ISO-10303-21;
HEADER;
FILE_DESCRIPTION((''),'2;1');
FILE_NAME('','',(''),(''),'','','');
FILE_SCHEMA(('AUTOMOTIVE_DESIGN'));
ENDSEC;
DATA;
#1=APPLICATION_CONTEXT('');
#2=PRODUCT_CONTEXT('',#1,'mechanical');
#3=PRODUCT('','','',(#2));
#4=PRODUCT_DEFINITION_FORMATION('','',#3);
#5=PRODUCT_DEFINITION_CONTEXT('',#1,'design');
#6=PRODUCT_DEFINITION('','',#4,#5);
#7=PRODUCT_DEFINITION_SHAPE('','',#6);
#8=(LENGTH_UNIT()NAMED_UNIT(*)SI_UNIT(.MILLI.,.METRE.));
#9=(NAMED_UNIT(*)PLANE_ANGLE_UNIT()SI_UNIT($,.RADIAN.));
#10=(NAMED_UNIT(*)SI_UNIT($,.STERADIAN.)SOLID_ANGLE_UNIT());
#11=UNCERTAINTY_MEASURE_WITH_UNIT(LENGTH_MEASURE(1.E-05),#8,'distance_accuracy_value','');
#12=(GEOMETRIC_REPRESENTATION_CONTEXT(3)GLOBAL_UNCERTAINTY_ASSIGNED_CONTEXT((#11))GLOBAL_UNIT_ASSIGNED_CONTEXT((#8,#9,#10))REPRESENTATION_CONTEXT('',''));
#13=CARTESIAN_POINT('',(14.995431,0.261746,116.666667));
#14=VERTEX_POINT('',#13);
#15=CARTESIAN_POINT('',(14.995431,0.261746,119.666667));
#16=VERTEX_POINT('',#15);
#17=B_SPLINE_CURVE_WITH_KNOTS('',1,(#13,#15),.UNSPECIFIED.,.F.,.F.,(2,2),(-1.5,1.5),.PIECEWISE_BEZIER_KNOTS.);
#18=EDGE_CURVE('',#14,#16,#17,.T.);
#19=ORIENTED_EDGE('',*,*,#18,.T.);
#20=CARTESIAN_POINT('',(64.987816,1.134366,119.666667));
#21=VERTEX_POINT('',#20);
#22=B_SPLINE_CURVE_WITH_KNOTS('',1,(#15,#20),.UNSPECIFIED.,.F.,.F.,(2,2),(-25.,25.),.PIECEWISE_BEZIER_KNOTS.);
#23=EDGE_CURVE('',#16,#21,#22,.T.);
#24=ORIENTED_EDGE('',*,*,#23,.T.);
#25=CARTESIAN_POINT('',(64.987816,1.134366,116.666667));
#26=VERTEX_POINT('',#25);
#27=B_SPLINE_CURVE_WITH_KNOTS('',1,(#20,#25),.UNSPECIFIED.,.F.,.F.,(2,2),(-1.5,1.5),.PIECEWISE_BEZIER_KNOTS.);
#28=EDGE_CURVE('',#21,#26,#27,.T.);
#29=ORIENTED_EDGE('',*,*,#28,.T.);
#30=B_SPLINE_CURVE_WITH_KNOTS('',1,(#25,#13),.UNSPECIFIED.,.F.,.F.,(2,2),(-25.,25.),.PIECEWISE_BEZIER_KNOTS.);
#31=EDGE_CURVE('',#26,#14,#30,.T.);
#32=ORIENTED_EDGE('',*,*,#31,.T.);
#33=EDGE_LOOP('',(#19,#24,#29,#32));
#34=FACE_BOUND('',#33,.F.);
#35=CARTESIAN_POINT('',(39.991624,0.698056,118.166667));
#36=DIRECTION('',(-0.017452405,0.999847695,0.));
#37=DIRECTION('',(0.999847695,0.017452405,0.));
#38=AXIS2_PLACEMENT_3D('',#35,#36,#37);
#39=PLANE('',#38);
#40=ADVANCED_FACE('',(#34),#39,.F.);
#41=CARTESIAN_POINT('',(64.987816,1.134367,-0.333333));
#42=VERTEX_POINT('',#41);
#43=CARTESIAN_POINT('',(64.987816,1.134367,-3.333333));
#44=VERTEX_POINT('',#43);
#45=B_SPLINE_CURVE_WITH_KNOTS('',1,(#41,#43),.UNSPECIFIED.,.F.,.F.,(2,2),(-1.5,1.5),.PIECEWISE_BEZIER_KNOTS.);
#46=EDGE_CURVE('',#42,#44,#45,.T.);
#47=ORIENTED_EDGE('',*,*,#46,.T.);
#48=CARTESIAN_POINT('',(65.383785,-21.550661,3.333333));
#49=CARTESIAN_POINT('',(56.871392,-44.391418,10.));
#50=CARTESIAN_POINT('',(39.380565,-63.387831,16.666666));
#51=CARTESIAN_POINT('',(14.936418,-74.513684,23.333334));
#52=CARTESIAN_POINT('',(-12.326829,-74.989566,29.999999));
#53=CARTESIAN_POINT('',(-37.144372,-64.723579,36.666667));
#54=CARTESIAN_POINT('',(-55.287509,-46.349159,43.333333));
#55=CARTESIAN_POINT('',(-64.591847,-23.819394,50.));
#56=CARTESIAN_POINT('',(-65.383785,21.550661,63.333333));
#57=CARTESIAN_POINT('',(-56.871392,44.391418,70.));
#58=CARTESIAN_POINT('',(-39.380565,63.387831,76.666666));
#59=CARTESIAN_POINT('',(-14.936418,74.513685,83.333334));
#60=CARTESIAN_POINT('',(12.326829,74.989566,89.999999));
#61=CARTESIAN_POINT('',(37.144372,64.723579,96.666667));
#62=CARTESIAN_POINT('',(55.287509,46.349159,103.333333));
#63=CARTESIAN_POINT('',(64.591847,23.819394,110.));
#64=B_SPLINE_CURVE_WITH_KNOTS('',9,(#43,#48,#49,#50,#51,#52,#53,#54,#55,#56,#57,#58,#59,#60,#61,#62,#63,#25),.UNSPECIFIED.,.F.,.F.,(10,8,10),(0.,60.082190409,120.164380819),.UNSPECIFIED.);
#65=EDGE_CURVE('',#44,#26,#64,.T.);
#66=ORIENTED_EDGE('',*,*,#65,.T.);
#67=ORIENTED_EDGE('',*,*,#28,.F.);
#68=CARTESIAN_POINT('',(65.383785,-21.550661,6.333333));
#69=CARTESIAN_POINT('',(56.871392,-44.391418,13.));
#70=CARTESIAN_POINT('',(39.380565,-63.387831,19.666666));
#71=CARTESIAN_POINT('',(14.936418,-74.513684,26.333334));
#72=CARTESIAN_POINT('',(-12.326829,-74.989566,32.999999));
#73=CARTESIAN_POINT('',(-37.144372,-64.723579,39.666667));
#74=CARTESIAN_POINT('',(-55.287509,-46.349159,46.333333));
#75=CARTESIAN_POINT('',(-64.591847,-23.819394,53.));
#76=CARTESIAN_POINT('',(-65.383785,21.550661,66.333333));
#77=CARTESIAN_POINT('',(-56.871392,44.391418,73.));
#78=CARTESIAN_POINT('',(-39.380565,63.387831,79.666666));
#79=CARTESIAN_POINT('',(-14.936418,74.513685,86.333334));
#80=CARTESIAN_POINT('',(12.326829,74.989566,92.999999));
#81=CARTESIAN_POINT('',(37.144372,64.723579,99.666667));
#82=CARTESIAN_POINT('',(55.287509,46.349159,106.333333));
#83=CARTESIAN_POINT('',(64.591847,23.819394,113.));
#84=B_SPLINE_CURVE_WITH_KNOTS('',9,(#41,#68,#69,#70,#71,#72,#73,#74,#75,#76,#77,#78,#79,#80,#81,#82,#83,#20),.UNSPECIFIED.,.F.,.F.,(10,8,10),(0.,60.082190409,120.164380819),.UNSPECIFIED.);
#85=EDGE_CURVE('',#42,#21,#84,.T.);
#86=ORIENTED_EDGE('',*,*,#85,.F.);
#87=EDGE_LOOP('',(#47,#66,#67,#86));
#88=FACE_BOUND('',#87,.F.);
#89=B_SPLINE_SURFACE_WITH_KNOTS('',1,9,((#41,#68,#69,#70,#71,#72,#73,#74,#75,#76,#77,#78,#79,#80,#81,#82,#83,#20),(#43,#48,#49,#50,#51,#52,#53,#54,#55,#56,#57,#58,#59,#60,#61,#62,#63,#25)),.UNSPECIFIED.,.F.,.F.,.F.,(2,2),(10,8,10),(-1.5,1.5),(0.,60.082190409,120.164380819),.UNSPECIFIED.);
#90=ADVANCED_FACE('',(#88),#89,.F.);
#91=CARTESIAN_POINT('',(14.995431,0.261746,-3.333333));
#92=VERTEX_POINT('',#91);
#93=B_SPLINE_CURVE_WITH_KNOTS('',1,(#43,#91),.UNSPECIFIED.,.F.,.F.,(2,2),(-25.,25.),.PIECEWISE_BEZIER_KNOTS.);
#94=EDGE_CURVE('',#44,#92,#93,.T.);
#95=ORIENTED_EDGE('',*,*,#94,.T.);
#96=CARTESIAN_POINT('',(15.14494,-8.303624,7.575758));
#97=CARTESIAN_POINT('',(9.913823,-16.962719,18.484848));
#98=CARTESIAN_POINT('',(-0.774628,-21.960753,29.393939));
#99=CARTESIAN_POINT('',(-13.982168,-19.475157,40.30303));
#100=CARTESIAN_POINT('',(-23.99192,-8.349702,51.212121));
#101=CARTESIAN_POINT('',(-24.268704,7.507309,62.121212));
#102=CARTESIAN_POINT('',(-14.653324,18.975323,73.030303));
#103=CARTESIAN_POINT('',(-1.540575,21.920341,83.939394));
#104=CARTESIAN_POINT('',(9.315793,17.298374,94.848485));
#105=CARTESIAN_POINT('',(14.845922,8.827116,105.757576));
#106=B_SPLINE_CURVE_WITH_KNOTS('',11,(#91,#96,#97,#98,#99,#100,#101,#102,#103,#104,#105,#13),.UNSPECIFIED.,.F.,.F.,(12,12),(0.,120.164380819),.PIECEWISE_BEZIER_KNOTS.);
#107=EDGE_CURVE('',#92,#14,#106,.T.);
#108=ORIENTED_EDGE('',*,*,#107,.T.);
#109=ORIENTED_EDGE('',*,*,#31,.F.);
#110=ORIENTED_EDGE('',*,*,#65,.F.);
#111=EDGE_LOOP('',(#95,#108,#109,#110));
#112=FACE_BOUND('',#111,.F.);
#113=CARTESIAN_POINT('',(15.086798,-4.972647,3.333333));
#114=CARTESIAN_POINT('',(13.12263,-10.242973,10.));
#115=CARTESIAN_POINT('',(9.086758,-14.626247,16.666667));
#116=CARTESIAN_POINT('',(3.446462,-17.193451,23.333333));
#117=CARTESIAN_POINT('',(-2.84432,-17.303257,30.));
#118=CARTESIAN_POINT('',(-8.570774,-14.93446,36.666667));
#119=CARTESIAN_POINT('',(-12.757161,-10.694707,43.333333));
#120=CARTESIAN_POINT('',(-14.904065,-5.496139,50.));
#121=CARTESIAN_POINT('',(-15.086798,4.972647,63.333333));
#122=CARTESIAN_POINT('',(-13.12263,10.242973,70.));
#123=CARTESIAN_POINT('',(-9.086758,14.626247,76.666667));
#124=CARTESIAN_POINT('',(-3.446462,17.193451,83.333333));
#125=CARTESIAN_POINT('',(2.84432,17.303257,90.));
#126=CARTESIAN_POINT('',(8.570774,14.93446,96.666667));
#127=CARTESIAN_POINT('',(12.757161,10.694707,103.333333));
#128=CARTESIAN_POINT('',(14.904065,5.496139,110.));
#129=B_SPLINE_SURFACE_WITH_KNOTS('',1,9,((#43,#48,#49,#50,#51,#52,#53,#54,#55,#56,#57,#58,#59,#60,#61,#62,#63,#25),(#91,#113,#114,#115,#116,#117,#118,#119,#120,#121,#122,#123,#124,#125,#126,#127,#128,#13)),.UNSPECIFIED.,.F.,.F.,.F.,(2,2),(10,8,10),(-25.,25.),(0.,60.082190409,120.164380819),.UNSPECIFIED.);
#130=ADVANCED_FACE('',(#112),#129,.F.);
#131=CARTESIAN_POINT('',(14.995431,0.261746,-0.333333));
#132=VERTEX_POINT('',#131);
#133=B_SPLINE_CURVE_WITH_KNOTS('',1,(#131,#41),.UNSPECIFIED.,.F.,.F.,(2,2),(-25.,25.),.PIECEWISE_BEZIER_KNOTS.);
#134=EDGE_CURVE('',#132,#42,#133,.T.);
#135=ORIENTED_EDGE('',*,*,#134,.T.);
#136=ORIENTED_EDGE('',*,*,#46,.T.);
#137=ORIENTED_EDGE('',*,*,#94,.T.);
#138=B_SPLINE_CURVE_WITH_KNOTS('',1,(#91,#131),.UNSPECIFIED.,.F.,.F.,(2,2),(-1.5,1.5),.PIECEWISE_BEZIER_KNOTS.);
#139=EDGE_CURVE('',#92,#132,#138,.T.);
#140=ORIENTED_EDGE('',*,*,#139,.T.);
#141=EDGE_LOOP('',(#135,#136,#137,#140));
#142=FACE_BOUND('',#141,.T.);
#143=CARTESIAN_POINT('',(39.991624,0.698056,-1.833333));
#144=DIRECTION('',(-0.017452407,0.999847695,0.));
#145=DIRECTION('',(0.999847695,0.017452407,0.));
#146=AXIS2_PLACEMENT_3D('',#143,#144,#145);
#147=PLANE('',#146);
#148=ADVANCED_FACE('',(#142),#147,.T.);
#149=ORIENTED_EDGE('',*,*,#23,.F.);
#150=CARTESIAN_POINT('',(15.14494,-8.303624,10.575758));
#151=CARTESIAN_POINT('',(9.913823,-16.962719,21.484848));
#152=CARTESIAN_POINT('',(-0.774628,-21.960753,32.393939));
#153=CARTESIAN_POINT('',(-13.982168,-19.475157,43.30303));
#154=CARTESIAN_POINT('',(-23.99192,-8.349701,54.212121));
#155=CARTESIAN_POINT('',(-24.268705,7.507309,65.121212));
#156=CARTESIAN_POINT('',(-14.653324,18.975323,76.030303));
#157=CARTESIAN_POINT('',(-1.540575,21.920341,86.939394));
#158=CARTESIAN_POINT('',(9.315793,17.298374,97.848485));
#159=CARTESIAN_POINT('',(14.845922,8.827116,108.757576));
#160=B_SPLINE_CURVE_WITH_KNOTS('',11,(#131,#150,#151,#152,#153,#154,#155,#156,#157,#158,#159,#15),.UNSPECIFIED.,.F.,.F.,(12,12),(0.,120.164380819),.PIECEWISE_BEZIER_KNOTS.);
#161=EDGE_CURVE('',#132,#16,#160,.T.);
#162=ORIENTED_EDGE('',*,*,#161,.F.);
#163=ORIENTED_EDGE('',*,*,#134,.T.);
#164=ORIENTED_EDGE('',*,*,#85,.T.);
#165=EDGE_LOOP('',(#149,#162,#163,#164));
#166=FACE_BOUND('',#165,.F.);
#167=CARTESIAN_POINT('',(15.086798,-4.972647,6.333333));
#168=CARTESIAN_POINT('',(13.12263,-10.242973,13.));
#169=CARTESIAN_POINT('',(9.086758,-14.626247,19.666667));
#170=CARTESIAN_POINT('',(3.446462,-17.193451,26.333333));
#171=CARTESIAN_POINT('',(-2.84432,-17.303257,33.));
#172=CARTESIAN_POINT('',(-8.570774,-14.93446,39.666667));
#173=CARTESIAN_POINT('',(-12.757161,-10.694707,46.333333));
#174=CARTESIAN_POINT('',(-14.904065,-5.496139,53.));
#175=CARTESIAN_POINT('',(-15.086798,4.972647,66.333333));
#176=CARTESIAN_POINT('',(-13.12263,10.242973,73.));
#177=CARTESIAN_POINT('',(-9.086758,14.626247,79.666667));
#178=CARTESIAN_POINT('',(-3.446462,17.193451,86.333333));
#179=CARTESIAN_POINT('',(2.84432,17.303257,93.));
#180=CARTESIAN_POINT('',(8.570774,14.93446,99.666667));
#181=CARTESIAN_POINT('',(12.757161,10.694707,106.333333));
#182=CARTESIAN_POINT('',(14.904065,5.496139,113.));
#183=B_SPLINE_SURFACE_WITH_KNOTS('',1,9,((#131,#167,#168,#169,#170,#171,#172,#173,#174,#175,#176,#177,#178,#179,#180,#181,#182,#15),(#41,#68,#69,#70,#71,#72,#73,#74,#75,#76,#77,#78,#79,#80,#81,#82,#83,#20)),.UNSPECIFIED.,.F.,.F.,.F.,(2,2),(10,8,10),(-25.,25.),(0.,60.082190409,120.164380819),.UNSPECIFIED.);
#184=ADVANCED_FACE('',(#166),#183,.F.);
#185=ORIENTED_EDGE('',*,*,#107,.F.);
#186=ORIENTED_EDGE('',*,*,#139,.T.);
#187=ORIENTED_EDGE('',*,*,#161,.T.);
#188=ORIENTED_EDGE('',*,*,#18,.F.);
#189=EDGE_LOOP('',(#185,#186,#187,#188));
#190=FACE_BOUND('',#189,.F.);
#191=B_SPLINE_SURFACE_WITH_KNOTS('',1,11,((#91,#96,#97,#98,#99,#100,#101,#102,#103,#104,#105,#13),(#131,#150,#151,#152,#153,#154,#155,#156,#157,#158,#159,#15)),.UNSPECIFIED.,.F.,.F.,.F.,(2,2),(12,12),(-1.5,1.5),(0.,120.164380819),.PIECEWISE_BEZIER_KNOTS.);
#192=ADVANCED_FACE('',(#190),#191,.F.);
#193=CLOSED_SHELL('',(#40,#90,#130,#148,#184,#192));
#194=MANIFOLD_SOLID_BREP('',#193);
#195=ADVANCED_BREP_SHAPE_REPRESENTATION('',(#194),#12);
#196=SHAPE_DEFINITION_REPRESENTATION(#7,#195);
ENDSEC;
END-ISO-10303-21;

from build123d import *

# Parameters (mm, degrees)
T_HNOUT_PO_K_IVCE1_PITCH       = 120
T_HNOUT_PO_K_IVCE1_HEIGHT      = 120
T_HNOUT_PO_K_IVCE1_RADIUS      = 15
T_HNOUT_PO_K_IVCE1_START_ANGLE = 1
SKICA2_W                       = 50
SKICA2_H                       = 3


with BuildPart() as part:
    # Táhnout po křivce1: sweep along a helix
    with BuildLine() as t_hnout_po_k_ivce1_path:
        add(Helix(T_HNOUT_PO_K_IVCE1_PITCH, T_HNOUT_PO_K_IVCE1_HEIGHT, T_HNOUT_PO_K_IVCE1_RADIUS, center=(0, 0, 0), direction=(0, 0, 1), lefthand=True, mode=Mode.PRIVATE).rotate(Axis((0, 0, 0), (0, 0, 1)), T_HNOUT_PO_K_IVCE1_START_ANGLE))
    # Skica2 → Táhnout po křivce1 (sweep)
    with BuildSketch(Plane(origin=(0, 0, 0), x_dir=(1, 0, 0), z_dir=(0, 1, 0))):
        with Locations((39.997715427, 1.5)):
            Rectangle(SKICA2_W, SKICA2_H)
    sweep(path=t_hnout_po_k_ivce1_path.line, is_frenet=True)


solid = part.part
